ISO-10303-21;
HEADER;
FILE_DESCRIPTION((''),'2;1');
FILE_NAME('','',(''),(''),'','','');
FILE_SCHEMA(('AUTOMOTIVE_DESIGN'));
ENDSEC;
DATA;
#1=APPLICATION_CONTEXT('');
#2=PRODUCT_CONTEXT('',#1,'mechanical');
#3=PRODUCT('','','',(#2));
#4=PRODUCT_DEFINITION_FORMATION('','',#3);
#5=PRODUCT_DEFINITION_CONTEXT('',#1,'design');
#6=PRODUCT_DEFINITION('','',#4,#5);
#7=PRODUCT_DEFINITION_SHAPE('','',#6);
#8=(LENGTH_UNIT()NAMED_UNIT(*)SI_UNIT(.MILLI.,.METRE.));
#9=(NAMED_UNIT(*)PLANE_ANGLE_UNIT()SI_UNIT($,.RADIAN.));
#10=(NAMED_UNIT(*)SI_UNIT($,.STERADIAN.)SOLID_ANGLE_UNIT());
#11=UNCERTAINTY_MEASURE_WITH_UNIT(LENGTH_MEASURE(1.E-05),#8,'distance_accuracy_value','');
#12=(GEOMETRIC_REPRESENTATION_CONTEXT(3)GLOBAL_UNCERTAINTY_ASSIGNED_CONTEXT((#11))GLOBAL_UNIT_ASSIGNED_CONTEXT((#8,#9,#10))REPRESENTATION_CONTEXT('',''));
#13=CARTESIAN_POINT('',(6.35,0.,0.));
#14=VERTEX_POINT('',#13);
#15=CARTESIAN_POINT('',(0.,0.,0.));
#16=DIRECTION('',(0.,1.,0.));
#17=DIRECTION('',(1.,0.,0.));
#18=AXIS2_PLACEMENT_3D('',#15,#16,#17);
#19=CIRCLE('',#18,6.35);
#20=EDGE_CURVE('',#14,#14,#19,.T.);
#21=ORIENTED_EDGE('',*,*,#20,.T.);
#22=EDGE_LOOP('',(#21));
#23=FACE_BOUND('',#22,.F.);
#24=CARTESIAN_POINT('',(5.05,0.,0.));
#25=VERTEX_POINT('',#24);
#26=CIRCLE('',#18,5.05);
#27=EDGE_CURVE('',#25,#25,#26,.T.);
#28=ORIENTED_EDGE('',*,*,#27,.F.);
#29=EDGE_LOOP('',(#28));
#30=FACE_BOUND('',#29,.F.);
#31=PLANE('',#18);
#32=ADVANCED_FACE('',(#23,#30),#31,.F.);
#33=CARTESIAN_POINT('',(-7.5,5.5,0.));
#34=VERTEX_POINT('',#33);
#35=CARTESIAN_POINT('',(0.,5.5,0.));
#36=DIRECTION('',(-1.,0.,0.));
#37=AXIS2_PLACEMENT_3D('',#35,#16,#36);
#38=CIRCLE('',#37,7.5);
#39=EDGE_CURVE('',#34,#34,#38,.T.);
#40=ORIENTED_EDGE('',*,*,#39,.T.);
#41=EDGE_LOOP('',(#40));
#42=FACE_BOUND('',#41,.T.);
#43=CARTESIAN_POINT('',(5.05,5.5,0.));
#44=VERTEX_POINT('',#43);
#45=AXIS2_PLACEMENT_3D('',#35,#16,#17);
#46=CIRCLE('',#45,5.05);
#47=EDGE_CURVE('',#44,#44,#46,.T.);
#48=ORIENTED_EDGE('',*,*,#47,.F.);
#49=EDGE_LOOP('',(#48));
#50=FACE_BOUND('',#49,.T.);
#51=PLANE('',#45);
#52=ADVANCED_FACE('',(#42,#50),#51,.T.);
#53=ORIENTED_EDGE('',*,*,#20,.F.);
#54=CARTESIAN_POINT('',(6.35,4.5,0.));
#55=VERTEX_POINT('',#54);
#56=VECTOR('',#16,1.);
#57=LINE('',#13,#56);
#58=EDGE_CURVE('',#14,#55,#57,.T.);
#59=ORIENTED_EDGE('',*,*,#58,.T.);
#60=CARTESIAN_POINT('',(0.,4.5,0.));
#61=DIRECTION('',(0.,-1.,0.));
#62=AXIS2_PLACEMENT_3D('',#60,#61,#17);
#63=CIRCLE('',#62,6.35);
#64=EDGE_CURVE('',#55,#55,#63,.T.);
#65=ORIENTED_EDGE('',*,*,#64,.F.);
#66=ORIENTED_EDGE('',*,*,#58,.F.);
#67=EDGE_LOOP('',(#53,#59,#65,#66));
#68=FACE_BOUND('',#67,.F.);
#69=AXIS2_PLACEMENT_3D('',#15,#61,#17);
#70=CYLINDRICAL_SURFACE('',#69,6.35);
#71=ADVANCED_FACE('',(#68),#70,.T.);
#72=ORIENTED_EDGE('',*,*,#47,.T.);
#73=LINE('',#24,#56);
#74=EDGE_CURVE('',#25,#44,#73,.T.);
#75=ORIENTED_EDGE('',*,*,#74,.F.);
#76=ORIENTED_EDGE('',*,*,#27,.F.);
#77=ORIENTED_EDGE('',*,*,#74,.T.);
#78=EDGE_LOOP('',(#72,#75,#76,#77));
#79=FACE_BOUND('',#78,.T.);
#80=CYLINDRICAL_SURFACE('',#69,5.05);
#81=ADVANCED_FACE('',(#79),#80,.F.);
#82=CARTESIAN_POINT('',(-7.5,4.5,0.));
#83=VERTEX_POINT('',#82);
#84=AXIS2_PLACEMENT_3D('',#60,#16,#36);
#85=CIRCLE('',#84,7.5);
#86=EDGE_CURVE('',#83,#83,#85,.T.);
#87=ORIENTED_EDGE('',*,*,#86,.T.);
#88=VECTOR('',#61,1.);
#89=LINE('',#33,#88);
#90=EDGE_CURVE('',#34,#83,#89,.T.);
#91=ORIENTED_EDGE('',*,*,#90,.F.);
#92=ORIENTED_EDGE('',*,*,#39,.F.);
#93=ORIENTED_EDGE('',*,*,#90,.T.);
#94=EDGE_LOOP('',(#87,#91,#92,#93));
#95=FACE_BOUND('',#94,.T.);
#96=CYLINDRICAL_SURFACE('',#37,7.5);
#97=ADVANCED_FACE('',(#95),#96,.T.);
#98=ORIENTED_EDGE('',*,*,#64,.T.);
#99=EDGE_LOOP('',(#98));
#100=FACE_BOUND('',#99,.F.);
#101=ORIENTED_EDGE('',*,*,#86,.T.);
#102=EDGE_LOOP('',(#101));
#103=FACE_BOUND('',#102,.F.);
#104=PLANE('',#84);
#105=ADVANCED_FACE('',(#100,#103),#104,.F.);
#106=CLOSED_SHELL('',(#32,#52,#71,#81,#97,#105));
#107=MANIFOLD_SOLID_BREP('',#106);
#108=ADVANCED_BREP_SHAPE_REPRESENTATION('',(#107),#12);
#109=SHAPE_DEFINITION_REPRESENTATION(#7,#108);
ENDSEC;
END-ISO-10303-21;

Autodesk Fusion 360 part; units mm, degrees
sketch "Sketch1" plane through (0, 0, 0) normal (0, 1, 0) x (1, 0, 0)
  circle A0 centre (0, 0) radius 5.05
  circle A1 centre (0, 0) radius 6.35
  dimension "d1" = 10.1
  dimension "d2" = 12.7
extrude "Extrude1" add sketch "Sketch1" along normal blind 5.5
sketch "Sketch2" plane through (0, 5.5, 0) normal (0, 1, 0) x (-1, 0, 0)
  circle A0 centre (0, 0) radius 5.05
  circle A1 centre (0, 0) radius 6.35
  circle A2 centre (0, 0) radius 7.5
extrude "Extrude2" add sketch "Sketch2" against normal blind 1 contours A2
equation "d2 = 10.1 mm + 2.6 mm"
